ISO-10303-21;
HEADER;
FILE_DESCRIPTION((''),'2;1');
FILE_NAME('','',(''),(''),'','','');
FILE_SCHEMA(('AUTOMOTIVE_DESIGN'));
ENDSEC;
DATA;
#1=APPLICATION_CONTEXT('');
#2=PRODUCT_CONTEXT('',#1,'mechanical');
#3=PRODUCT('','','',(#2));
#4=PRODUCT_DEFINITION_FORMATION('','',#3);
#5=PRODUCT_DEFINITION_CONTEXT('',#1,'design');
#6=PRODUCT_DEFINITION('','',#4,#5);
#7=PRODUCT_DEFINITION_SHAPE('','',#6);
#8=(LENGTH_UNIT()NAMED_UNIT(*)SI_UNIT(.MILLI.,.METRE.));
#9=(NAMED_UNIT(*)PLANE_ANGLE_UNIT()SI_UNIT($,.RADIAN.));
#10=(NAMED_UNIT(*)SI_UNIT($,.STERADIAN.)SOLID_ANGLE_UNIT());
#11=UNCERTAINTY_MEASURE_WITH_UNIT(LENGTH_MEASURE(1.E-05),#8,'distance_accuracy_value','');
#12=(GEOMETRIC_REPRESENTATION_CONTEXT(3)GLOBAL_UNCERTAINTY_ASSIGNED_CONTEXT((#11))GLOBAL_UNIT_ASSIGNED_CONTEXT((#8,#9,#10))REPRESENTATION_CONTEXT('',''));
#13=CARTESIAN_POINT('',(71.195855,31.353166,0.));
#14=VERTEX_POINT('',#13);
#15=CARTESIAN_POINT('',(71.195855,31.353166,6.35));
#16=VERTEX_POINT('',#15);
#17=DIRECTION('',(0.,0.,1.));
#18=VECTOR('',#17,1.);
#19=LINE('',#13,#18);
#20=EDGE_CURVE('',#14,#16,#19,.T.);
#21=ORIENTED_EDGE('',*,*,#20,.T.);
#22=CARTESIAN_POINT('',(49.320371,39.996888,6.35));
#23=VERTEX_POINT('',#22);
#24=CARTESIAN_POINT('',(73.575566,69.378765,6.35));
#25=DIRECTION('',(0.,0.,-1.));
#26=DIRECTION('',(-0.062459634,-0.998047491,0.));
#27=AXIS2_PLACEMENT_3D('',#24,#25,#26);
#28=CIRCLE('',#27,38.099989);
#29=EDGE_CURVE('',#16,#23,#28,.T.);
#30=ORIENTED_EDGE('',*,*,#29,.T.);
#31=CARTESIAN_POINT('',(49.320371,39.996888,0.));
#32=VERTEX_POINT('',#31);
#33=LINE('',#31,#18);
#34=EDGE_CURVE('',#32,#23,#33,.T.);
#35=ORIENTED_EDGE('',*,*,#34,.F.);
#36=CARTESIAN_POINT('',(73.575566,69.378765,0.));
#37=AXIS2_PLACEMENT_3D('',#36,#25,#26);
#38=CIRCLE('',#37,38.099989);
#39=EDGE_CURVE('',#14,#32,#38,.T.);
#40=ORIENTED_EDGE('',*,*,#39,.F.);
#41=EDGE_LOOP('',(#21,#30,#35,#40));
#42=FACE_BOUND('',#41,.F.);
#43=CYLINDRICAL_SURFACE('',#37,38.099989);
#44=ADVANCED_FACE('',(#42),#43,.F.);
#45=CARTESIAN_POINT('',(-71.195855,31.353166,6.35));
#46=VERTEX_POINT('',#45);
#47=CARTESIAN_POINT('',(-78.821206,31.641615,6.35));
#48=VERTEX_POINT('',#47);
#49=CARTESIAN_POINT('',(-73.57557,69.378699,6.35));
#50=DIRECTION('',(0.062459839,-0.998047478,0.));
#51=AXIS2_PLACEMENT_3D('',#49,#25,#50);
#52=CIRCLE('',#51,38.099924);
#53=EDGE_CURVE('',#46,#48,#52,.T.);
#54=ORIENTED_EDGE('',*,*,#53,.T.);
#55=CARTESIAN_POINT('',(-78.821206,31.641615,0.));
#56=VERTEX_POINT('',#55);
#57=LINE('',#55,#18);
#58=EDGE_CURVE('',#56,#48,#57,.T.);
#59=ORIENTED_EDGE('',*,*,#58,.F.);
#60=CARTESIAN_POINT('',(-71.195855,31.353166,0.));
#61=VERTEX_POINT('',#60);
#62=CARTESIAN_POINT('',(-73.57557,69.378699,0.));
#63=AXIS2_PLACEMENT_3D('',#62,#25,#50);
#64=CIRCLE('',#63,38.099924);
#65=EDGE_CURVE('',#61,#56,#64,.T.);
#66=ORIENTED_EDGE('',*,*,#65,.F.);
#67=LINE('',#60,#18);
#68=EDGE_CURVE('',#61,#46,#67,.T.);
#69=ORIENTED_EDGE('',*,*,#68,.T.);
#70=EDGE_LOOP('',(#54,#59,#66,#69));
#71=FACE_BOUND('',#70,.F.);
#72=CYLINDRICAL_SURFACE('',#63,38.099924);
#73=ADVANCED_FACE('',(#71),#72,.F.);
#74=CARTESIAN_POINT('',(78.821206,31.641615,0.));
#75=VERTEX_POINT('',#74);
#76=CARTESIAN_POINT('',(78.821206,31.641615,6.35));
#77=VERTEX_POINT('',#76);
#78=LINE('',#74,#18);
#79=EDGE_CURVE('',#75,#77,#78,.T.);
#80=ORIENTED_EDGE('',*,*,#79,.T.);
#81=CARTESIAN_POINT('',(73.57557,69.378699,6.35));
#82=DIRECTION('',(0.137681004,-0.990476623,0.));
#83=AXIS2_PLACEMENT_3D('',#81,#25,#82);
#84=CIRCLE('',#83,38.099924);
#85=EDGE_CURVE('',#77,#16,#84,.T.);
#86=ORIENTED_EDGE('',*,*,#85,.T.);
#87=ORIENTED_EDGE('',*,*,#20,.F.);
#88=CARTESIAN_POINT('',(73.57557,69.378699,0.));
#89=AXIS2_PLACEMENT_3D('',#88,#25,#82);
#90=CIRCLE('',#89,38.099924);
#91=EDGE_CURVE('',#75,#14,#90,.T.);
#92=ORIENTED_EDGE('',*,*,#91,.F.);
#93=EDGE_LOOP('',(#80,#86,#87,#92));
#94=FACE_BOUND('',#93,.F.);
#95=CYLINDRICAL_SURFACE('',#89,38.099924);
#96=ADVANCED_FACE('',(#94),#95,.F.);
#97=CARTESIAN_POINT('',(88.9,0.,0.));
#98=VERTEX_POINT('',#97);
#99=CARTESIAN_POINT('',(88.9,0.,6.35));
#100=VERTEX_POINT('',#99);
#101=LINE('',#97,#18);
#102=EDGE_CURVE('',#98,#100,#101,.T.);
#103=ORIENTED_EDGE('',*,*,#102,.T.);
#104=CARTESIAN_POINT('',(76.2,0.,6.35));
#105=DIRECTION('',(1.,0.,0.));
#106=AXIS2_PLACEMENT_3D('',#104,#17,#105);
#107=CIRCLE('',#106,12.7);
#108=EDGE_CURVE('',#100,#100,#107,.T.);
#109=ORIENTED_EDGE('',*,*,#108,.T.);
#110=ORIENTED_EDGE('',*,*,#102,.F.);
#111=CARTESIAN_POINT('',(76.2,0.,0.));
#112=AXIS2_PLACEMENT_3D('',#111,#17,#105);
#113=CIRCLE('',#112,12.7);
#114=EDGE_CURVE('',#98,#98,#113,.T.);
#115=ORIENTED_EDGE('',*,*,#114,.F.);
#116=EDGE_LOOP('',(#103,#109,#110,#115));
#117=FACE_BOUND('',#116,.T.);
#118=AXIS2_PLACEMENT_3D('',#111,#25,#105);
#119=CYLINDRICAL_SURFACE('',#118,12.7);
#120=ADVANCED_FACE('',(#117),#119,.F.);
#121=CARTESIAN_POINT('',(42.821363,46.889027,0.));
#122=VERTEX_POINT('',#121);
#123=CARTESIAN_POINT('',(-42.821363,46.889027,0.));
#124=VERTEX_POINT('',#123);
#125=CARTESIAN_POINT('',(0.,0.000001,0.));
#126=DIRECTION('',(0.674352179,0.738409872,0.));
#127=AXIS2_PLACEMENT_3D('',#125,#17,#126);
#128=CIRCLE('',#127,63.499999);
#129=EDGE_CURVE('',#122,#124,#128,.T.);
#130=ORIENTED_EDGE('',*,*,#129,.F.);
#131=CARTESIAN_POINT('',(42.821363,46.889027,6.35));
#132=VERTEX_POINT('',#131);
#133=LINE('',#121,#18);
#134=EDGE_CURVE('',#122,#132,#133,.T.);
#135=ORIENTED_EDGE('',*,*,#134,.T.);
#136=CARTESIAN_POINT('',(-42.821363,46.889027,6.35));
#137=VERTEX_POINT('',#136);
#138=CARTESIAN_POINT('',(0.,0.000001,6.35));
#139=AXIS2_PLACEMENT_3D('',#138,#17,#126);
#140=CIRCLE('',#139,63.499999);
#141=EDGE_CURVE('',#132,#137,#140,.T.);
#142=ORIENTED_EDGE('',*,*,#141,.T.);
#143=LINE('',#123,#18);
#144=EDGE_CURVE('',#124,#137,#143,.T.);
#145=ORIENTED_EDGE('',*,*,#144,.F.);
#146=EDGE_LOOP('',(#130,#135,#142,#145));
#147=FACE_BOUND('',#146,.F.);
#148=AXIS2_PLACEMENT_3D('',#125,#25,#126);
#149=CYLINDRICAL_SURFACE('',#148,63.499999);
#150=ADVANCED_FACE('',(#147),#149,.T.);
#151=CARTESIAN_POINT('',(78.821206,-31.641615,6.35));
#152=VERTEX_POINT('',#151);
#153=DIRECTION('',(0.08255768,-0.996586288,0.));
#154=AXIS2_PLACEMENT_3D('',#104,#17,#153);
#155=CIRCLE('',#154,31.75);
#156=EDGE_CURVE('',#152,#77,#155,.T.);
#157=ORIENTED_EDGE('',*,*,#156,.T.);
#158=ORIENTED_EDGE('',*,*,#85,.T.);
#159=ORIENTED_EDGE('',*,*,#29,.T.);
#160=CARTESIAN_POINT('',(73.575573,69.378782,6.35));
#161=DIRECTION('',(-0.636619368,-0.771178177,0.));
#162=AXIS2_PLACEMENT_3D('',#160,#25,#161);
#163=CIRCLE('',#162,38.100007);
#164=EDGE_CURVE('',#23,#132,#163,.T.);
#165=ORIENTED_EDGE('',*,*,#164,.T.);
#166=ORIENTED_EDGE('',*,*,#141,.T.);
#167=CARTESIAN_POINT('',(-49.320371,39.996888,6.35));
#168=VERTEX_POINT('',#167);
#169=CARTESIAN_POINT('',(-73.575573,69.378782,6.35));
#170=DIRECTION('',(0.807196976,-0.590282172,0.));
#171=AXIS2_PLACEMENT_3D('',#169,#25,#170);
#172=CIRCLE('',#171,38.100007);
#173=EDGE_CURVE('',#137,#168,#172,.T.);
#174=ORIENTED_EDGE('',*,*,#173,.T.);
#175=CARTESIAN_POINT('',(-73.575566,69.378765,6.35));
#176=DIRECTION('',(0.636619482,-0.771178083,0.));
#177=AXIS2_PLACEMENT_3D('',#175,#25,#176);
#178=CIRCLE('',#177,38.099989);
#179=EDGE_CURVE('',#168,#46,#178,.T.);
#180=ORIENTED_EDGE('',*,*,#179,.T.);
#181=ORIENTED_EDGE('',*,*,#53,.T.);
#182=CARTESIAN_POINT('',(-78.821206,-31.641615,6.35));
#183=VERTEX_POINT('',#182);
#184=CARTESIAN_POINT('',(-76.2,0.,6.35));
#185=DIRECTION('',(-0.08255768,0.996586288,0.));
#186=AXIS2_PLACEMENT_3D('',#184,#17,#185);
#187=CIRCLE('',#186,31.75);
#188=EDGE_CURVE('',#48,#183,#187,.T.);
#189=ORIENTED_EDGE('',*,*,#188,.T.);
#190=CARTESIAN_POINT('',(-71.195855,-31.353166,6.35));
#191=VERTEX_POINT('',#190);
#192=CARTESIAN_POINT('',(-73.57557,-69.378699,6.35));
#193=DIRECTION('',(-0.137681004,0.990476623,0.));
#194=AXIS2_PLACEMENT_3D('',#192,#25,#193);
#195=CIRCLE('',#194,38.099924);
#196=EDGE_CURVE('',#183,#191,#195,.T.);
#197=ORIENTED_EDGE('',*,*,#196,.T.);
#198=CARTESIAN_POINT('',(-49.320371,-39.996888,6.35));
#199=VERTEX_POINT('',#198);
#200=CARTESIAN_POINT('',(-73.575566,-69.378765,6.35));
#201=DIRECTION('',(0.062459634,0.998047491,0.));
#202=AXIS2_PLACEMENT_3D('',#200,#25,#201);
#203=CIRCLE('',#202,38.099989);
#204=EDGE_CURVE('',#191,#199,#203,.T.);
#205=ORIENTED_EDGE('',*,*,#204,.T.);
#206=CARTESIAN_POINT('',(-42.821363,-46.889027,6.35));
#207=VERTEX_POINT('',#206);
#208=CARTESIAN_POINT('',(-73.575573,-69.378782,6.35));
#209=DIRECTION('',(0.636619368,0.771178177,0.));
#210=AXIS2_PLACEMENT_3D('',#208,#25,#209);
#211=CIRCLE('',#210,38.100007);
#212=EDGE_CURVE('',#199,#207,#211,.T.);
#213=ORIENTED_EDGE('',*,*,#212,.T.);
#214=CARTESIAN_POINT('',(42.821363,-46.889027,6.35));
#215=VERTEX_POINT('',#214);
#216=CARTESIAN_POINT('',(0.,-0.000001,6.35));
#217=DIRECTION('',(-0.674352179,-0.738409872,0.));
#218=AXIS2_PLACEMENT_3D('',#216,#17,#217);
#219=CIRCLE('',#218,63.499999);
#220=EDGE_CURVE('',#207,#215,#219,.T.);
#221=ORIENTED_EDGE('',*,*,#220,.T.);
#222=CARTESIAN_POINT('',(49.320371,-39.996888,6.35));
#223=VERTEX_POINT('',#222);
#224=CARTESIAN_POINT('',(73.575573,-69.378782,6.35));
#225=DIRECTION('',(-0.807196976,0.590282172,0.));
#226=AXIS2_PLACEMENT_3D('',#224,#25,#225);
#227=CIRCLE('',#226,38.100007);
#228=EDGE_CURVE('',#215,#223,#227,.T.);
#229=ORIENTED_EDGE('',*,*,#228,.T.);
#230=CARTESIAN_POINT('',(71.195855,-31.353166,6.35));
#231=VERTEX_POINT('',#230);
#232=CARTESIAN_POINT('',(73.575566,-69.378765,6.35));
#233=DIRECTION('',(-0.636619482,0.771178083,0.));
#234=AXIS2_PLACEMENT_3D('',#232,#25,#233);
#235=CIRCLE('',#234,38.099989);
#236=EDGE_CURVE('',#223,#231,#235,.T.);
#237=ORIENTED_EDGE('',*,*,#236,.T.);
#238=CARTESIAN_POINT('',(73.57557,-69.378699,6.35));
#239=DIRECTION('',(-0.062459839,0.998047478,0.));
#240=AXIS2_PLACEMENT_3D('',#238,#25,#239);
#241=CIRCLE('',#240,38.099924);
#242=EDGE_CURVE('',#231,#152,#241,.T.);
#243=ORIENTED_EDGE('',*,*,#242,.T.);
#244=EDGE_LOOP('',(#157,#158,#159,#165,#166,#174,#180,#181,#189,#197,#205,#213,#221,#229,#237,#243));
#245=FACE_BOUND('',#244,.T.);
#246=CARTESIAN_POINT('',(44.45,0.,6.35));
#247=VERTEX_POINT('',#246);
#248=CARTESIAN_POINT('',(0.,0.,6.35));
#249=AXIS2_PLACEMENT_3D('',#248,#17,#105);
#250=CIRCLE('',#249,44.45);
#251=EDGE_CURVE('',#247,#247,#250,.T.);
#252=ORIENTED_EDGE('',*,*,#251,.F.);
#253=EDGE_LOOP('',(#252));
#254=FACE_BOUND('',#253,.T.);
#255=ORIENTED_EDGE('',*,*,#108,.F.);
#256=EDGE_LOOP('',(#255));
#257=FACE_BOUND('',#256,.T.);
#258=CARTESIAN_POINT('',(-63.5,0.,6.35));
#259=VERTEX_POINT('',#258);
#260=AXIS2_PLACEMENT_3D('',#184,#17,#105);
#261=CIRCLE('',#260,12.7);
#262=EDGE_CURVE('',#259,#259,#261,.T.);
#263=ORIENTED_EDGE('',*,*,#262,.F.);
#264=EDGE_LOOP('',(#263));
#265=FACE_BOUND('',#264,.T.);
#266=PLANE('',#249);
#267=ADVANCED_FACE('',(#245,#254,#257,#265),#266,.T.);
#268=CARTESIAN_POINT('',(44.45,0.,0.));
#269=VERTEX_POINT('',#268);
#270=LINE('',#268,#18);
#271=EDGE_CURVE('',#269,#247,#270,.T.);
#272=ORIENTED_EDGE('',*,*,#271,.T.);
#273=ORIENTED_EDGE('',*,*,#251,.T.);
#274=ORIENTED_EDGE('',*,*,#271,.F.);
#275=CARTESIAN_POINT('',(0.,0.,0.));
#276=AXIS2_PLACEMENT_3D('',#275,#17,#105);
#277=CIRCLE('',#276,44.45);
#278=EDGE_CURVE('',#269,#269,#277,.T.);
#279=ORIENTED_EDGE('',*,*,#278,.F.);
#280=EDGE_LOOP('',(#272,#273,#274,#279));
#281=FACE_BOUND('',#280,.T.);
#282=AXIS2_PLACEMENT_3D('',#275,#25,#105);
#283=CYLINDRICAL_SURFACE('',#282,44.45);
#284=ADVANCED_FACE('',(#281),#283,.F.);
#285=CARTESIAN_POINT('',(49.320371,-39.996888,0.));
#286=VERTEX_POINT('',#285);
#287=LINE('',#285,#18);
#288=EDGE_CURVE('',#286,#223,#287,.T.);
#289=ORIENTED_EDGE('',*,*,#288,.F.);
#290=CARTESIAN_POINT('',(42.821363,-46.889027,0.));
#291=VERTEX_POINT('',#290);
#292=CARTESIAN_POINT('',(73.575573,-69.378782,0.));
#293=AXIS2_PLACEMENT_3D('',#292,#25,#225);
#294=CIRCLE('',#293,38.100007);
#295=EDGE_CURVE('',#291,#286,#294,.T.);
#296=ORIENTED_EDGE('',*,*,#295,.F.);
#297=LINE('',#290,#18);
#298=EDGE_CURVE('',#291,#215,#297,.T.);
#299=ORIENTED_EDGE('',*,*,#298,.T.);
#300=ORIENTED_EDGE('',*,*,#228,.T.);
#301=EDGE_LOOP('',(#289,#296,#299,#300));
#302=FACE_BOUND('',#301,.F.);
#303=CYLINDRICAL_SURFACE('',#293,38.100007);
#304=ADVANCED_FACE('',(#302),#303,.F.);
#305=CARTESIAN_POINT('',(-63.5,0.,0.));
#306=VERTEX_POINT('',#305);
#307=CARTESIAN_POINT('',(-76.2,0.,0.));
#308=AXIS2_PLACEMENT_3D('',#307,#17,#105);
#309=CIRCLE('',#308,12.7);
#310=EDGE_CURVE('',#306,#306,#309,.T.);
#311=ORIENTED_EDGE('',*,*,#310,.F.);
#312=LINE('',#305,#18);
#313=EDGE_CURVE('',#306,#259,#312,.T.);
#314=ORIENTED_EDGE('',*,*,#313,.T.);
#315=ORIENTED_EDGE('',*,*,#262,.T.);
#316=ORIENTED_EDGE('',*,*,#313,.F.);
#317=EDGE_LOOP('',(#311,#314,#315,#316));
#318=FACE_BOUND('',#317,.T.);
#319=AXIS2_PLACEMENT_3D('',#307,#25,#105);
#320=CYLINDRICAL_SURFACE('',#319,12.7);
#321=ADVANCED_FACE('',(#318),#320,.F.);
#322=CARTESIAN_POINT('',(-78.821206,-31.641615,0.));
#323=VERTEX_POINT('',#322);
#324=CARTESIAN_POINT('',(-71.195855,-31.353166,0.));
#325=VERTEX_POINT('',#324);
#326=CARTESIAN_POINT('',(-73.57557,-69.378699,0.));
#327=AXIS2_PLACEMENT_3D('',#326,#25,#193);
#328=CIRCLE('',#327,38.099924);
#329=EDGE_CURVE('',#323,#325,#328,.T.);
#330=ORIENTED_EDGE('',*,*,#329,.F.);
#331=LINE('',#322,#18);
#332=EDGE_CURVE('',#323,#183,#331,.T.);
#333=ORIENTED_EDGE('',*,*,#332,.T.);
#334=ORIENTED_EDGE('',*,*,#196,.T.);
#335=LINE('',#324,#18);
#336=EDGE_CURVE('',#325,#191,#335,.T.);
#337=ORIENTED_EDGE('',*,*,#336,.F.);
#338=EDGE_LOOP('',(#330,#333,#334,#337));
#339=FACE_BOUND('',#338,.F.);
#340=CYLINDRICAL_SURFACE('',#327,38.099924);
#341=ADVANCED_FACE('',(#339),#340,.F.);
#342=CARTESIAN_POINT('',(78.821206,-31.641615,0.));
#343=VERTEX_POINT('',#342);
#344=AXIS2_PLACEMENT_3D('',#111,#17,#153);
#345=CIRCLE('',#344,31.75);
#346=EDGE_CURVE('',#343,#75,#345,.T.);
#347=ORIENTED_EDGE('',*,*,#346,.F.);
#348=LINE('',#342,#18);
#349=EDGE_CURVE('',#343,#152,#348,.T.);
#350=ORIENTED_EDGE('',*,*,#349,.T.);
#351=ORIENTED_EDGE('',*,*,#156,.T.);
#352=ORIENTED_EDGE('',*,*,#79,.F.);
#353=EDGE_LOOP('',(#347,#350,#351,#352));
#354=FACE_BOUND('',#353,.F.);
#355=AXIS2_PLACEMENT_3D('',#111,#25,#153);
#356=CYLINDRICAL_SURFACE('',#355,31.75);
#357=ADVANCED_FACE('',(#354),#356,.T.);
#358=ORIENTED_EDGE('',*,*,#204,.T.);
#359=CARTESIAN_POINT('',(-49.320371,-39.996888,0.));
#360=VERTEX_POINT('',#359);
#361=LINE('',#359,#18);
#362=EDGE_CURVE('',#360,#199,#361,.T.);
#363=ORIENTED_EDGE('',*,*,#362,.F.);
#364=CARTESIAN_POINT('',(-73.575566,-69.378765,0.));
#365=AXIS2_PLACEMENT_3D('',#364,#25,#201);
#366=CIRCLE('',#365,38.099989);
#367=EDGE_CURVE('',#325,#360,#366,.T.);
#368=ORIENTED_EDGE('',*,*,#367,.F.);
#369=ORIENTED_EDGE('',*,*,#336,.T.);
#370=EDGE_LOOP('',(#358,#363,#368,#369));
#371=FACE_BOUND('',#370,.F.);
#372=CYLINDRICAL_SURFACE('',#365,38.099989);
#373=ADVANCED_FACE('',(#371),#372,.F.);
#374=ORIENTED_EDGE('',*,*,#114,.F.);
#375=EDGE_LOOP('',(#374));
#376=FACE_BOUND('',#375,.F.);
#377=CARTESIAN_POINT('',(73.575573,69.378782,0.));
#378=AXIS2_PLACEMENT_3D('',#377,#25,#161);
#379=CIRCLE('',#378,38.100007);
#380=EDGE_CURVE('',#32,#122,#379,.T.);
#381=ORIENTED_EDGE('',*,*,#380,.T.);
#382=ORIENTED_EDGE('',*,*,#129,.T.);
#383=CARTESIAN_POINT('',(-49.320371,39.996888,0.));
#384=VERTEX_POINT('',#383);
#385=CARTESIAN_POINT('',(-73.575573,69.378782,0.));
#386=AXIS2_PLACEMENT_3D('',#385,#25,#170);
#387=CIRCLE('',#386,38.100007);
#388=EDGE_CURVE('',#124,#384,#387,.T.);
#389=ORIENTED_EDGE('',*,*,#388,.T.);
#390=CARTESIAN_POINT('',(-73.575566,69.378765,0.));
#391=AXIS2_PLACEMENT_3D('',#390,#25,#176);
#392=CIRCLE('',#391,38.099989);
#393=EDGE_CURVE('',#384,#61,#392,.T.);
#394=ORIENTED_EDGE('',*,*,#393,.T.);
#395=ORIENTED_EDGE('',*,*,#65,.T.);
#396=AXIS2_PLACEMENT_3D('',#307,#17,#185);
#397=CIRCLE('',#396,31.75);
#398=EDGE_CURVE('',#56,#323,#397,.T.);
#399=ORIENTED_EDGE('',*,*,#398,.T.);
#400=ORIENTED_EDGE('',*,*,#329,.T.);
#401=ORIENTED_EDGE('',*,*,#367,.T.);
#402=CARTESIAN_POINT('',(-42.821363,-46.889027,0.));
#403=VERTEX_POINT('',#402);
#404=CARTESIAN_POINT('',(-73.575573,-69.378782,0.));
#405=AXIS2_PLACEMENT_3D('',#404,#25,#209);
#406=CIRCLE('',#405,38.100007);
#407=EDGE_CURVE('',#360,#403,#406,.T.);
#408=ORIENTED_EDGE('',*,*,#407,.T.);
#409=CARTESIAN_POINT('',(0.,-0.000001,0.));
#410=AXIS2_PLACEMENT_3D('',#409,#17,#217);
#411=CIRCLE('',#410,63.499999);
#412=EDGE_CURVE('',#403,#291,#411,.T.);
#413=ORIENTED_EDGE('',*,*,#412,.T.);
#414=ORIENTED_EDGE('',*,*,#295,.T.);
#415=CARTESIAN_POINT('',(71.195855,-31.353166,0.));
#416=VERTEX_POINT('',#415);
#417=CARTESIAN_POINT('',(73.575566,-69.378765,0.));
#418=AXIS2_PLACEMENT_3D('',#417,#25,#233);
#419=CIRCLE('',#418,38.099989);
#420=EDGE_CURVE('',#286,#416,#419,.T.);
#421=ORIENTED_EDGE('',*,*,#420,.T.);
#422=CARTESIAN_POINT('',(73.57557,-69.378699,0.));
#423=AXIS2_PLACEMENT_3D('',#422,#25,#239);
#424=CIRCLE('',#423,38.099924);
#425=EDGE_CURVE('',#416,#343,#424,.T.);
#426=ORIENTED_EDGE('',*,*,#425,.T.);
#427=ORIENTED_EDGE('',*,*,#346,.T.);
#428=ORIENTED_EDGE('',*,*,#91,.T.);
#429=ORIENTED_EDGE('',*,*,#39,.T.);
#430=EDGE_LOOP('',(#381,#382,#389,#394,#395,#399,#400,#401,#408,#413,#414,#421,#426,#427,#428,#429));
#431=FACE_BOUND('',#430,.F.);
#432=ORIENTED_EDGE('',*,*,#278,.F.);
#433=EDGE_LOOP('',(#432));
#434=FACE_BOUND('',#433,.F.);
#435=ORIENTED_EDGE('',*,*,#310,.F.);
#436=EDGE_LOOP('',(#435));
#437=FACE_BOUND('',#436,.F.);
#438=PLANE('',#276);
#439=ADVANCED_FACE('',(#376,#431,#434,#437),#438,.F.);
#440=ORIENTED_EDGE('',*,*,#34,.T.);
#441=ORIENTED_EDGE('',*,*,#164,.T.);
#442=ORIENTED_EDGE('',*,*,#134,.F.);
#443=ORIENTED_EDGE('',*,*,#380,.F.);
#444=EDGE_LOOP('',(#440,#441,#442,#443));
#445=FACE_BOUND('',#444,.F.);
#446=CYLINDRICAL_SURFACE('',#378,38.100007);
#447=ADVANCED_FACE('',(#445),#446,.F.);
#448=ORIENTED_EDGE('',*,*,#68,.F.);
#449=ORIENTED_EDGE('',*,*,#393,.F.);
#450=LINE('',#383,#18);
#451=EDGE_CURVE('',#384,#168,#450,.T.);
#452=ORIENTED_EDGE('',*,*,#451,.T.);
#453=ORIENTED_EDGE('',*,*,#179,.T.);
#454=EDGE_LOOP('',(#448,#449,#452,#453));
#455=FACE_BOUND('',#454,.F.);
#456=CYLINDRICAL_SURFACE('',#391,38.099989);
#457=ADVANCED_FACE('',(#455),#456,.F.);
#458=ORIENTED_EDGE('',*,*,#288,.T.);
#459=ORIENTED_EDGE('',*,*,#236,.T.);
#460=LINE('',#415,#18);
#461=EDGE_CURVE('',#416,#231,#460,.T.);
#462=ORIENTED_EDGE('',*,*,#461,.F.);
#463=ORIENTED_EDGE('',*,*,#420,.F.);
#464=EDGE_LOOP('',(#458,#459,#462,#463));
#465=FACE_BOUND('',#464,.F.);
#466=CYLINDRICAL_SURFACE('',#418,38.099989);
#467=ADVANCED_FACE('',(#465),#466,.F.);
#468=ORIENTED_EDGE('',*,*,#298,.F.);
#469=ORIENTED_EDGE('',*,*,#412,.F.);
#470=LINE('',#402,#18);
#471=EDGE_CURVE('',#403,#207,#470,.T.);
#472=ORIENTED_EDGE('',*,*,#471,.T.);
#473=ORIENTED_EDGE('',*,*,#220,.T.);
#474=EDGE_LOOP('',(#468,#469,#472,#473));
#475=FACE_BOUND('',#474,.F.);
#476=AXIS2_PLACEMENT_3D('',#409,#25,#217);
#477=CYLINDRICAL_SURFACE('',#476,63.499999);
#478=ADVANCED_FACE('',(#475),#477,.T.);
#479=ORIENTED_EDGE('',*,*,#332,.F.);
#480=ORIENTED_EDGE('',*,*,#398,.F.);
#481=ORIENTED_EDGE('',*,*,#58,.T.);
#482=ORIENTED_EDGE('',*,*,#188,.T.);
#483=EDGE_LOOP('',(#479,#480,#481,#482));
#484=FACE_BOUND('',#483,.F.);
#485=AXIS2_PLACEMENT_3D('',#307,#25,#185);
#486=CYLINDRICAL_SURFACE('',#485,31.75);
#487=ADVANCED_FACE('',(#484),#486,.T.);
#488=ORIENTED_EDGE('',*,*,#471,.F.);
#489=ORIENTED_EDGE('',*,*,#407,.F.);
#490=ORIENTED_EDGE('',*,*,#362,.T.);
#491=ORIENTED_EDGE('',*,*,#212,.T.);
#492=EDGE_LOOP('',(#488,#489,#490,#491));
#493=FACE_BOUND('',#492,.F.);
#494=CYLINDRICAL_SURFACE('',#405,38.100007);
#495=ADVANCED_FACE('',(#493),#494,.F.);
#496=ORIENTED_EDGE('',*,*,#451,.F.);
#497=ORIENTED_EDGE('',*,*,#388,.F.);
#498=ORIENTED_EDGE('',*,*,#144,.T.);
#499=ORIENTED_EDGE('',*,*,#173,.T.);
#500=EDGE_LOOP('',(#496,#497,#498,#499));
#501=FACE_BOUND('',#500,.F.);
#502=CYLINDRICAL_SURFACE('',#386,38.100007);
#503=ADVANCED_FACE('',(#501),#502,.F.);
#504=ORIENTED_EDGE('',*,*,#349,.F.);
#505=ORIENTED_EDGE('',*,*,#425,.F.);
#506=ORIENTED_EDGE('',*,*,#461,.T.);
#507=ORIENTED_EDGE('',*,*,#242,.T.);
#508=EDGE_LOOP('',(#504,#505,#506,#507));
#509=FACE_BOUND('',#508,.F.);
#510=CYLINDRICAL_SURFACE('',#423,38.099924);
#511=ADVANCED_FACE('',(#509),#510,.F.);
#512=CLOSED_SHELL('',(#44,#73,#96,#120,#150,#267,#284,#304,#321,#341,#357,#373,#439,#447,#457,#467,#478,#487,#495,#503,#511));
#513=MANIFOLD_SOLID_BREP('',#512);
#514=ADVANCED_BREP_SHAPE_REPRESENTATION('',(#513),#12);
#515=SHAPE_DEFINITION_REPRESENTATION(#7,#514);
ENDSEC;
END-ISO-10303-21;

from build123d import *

# Parameters (mm, degrees)
F0_R     = 12.7
F0_R_2   = 44.45
F1_DEPTH = 6.35


with BuildPart() as f1:
    # F0 (on Top) → F1 (new body)
    with BuildSketch(Plane.XY):
        with BuildLine():
            ThreePointArc((-71.195855, -31.353166), (-59.574386, -33.944655), (-49.320371, -39.996888))
            ThreePointArc((-49.320371, -39.996888), (-45.855828, -43.240185), (-42.821363, -46.889027))
            ThreePointArc((-42.821363, -46.889027), (0, -63.5), (42.821363, -46.889027))
            ThreePointArc((42.821363, -46.889027), (45.855828, -43.240185), (49.320371, -39.996888))
            ThreePointArc((49.320371, -39.996888), (59.574386, -33.944655), (71.195855, -31.353166))
            ThreePointArc((71.195855, -31.353166), (75.01577, -31.306005), (78.821206, -31.641615))
            ThreePointArc((78.821206, -31.641615), (107.95, 0), (78.821206, 31.641615))
            ThreePointArc((78.821206, 31.641615), (75.01577, 31.306005), (71.195855, 31.353166))
            ThreePointArc((71.195855, 31.353166), (59.574386, 33.944655), (49.320371, 39.996888))
            ThreePointArc((49.320371, 39.996888), (45.855828, 43.240185), (42.821363, 46.889027))
            ThreePointArc((42.821363, 46.889027), (0, 63.5), (-42.821363, 46.889027))
            ThreePointArc((-42.821363, 46.889027), (-45.855828, 43.240185), (-49.320371, 39.996888))
            ThreePointArc((-49.320371, 39.996888), (-59.574386, 33.944655), (-71.195855, 31.353166))
            ThreePointArc((-71.195855, 31.353166), (-75.01577, 31.306005), (-78.821206, 31.641615))
            ThreePointArc((-78.821206, 31.641615), (-107.95, 0), (-78.821206, -31.641615))
            ThreePointArc((-78.821206, -31.641615), (-75.01577, -31.306005), (-71.195855, -31.353166))
        make_face()
        with Locations((-76.2, 0)):
            Circle(F0_R, mode=Mode.SUBTRACT)
        Circle(F0_R_2, mode=Mode.SUBTRACT)
        with Locations((76.2, 0)):
            Circle(F0_R, mode=Mode.SUBTRACT)
    extrude(amount=F1_DEPTH)


solid = f1.part
